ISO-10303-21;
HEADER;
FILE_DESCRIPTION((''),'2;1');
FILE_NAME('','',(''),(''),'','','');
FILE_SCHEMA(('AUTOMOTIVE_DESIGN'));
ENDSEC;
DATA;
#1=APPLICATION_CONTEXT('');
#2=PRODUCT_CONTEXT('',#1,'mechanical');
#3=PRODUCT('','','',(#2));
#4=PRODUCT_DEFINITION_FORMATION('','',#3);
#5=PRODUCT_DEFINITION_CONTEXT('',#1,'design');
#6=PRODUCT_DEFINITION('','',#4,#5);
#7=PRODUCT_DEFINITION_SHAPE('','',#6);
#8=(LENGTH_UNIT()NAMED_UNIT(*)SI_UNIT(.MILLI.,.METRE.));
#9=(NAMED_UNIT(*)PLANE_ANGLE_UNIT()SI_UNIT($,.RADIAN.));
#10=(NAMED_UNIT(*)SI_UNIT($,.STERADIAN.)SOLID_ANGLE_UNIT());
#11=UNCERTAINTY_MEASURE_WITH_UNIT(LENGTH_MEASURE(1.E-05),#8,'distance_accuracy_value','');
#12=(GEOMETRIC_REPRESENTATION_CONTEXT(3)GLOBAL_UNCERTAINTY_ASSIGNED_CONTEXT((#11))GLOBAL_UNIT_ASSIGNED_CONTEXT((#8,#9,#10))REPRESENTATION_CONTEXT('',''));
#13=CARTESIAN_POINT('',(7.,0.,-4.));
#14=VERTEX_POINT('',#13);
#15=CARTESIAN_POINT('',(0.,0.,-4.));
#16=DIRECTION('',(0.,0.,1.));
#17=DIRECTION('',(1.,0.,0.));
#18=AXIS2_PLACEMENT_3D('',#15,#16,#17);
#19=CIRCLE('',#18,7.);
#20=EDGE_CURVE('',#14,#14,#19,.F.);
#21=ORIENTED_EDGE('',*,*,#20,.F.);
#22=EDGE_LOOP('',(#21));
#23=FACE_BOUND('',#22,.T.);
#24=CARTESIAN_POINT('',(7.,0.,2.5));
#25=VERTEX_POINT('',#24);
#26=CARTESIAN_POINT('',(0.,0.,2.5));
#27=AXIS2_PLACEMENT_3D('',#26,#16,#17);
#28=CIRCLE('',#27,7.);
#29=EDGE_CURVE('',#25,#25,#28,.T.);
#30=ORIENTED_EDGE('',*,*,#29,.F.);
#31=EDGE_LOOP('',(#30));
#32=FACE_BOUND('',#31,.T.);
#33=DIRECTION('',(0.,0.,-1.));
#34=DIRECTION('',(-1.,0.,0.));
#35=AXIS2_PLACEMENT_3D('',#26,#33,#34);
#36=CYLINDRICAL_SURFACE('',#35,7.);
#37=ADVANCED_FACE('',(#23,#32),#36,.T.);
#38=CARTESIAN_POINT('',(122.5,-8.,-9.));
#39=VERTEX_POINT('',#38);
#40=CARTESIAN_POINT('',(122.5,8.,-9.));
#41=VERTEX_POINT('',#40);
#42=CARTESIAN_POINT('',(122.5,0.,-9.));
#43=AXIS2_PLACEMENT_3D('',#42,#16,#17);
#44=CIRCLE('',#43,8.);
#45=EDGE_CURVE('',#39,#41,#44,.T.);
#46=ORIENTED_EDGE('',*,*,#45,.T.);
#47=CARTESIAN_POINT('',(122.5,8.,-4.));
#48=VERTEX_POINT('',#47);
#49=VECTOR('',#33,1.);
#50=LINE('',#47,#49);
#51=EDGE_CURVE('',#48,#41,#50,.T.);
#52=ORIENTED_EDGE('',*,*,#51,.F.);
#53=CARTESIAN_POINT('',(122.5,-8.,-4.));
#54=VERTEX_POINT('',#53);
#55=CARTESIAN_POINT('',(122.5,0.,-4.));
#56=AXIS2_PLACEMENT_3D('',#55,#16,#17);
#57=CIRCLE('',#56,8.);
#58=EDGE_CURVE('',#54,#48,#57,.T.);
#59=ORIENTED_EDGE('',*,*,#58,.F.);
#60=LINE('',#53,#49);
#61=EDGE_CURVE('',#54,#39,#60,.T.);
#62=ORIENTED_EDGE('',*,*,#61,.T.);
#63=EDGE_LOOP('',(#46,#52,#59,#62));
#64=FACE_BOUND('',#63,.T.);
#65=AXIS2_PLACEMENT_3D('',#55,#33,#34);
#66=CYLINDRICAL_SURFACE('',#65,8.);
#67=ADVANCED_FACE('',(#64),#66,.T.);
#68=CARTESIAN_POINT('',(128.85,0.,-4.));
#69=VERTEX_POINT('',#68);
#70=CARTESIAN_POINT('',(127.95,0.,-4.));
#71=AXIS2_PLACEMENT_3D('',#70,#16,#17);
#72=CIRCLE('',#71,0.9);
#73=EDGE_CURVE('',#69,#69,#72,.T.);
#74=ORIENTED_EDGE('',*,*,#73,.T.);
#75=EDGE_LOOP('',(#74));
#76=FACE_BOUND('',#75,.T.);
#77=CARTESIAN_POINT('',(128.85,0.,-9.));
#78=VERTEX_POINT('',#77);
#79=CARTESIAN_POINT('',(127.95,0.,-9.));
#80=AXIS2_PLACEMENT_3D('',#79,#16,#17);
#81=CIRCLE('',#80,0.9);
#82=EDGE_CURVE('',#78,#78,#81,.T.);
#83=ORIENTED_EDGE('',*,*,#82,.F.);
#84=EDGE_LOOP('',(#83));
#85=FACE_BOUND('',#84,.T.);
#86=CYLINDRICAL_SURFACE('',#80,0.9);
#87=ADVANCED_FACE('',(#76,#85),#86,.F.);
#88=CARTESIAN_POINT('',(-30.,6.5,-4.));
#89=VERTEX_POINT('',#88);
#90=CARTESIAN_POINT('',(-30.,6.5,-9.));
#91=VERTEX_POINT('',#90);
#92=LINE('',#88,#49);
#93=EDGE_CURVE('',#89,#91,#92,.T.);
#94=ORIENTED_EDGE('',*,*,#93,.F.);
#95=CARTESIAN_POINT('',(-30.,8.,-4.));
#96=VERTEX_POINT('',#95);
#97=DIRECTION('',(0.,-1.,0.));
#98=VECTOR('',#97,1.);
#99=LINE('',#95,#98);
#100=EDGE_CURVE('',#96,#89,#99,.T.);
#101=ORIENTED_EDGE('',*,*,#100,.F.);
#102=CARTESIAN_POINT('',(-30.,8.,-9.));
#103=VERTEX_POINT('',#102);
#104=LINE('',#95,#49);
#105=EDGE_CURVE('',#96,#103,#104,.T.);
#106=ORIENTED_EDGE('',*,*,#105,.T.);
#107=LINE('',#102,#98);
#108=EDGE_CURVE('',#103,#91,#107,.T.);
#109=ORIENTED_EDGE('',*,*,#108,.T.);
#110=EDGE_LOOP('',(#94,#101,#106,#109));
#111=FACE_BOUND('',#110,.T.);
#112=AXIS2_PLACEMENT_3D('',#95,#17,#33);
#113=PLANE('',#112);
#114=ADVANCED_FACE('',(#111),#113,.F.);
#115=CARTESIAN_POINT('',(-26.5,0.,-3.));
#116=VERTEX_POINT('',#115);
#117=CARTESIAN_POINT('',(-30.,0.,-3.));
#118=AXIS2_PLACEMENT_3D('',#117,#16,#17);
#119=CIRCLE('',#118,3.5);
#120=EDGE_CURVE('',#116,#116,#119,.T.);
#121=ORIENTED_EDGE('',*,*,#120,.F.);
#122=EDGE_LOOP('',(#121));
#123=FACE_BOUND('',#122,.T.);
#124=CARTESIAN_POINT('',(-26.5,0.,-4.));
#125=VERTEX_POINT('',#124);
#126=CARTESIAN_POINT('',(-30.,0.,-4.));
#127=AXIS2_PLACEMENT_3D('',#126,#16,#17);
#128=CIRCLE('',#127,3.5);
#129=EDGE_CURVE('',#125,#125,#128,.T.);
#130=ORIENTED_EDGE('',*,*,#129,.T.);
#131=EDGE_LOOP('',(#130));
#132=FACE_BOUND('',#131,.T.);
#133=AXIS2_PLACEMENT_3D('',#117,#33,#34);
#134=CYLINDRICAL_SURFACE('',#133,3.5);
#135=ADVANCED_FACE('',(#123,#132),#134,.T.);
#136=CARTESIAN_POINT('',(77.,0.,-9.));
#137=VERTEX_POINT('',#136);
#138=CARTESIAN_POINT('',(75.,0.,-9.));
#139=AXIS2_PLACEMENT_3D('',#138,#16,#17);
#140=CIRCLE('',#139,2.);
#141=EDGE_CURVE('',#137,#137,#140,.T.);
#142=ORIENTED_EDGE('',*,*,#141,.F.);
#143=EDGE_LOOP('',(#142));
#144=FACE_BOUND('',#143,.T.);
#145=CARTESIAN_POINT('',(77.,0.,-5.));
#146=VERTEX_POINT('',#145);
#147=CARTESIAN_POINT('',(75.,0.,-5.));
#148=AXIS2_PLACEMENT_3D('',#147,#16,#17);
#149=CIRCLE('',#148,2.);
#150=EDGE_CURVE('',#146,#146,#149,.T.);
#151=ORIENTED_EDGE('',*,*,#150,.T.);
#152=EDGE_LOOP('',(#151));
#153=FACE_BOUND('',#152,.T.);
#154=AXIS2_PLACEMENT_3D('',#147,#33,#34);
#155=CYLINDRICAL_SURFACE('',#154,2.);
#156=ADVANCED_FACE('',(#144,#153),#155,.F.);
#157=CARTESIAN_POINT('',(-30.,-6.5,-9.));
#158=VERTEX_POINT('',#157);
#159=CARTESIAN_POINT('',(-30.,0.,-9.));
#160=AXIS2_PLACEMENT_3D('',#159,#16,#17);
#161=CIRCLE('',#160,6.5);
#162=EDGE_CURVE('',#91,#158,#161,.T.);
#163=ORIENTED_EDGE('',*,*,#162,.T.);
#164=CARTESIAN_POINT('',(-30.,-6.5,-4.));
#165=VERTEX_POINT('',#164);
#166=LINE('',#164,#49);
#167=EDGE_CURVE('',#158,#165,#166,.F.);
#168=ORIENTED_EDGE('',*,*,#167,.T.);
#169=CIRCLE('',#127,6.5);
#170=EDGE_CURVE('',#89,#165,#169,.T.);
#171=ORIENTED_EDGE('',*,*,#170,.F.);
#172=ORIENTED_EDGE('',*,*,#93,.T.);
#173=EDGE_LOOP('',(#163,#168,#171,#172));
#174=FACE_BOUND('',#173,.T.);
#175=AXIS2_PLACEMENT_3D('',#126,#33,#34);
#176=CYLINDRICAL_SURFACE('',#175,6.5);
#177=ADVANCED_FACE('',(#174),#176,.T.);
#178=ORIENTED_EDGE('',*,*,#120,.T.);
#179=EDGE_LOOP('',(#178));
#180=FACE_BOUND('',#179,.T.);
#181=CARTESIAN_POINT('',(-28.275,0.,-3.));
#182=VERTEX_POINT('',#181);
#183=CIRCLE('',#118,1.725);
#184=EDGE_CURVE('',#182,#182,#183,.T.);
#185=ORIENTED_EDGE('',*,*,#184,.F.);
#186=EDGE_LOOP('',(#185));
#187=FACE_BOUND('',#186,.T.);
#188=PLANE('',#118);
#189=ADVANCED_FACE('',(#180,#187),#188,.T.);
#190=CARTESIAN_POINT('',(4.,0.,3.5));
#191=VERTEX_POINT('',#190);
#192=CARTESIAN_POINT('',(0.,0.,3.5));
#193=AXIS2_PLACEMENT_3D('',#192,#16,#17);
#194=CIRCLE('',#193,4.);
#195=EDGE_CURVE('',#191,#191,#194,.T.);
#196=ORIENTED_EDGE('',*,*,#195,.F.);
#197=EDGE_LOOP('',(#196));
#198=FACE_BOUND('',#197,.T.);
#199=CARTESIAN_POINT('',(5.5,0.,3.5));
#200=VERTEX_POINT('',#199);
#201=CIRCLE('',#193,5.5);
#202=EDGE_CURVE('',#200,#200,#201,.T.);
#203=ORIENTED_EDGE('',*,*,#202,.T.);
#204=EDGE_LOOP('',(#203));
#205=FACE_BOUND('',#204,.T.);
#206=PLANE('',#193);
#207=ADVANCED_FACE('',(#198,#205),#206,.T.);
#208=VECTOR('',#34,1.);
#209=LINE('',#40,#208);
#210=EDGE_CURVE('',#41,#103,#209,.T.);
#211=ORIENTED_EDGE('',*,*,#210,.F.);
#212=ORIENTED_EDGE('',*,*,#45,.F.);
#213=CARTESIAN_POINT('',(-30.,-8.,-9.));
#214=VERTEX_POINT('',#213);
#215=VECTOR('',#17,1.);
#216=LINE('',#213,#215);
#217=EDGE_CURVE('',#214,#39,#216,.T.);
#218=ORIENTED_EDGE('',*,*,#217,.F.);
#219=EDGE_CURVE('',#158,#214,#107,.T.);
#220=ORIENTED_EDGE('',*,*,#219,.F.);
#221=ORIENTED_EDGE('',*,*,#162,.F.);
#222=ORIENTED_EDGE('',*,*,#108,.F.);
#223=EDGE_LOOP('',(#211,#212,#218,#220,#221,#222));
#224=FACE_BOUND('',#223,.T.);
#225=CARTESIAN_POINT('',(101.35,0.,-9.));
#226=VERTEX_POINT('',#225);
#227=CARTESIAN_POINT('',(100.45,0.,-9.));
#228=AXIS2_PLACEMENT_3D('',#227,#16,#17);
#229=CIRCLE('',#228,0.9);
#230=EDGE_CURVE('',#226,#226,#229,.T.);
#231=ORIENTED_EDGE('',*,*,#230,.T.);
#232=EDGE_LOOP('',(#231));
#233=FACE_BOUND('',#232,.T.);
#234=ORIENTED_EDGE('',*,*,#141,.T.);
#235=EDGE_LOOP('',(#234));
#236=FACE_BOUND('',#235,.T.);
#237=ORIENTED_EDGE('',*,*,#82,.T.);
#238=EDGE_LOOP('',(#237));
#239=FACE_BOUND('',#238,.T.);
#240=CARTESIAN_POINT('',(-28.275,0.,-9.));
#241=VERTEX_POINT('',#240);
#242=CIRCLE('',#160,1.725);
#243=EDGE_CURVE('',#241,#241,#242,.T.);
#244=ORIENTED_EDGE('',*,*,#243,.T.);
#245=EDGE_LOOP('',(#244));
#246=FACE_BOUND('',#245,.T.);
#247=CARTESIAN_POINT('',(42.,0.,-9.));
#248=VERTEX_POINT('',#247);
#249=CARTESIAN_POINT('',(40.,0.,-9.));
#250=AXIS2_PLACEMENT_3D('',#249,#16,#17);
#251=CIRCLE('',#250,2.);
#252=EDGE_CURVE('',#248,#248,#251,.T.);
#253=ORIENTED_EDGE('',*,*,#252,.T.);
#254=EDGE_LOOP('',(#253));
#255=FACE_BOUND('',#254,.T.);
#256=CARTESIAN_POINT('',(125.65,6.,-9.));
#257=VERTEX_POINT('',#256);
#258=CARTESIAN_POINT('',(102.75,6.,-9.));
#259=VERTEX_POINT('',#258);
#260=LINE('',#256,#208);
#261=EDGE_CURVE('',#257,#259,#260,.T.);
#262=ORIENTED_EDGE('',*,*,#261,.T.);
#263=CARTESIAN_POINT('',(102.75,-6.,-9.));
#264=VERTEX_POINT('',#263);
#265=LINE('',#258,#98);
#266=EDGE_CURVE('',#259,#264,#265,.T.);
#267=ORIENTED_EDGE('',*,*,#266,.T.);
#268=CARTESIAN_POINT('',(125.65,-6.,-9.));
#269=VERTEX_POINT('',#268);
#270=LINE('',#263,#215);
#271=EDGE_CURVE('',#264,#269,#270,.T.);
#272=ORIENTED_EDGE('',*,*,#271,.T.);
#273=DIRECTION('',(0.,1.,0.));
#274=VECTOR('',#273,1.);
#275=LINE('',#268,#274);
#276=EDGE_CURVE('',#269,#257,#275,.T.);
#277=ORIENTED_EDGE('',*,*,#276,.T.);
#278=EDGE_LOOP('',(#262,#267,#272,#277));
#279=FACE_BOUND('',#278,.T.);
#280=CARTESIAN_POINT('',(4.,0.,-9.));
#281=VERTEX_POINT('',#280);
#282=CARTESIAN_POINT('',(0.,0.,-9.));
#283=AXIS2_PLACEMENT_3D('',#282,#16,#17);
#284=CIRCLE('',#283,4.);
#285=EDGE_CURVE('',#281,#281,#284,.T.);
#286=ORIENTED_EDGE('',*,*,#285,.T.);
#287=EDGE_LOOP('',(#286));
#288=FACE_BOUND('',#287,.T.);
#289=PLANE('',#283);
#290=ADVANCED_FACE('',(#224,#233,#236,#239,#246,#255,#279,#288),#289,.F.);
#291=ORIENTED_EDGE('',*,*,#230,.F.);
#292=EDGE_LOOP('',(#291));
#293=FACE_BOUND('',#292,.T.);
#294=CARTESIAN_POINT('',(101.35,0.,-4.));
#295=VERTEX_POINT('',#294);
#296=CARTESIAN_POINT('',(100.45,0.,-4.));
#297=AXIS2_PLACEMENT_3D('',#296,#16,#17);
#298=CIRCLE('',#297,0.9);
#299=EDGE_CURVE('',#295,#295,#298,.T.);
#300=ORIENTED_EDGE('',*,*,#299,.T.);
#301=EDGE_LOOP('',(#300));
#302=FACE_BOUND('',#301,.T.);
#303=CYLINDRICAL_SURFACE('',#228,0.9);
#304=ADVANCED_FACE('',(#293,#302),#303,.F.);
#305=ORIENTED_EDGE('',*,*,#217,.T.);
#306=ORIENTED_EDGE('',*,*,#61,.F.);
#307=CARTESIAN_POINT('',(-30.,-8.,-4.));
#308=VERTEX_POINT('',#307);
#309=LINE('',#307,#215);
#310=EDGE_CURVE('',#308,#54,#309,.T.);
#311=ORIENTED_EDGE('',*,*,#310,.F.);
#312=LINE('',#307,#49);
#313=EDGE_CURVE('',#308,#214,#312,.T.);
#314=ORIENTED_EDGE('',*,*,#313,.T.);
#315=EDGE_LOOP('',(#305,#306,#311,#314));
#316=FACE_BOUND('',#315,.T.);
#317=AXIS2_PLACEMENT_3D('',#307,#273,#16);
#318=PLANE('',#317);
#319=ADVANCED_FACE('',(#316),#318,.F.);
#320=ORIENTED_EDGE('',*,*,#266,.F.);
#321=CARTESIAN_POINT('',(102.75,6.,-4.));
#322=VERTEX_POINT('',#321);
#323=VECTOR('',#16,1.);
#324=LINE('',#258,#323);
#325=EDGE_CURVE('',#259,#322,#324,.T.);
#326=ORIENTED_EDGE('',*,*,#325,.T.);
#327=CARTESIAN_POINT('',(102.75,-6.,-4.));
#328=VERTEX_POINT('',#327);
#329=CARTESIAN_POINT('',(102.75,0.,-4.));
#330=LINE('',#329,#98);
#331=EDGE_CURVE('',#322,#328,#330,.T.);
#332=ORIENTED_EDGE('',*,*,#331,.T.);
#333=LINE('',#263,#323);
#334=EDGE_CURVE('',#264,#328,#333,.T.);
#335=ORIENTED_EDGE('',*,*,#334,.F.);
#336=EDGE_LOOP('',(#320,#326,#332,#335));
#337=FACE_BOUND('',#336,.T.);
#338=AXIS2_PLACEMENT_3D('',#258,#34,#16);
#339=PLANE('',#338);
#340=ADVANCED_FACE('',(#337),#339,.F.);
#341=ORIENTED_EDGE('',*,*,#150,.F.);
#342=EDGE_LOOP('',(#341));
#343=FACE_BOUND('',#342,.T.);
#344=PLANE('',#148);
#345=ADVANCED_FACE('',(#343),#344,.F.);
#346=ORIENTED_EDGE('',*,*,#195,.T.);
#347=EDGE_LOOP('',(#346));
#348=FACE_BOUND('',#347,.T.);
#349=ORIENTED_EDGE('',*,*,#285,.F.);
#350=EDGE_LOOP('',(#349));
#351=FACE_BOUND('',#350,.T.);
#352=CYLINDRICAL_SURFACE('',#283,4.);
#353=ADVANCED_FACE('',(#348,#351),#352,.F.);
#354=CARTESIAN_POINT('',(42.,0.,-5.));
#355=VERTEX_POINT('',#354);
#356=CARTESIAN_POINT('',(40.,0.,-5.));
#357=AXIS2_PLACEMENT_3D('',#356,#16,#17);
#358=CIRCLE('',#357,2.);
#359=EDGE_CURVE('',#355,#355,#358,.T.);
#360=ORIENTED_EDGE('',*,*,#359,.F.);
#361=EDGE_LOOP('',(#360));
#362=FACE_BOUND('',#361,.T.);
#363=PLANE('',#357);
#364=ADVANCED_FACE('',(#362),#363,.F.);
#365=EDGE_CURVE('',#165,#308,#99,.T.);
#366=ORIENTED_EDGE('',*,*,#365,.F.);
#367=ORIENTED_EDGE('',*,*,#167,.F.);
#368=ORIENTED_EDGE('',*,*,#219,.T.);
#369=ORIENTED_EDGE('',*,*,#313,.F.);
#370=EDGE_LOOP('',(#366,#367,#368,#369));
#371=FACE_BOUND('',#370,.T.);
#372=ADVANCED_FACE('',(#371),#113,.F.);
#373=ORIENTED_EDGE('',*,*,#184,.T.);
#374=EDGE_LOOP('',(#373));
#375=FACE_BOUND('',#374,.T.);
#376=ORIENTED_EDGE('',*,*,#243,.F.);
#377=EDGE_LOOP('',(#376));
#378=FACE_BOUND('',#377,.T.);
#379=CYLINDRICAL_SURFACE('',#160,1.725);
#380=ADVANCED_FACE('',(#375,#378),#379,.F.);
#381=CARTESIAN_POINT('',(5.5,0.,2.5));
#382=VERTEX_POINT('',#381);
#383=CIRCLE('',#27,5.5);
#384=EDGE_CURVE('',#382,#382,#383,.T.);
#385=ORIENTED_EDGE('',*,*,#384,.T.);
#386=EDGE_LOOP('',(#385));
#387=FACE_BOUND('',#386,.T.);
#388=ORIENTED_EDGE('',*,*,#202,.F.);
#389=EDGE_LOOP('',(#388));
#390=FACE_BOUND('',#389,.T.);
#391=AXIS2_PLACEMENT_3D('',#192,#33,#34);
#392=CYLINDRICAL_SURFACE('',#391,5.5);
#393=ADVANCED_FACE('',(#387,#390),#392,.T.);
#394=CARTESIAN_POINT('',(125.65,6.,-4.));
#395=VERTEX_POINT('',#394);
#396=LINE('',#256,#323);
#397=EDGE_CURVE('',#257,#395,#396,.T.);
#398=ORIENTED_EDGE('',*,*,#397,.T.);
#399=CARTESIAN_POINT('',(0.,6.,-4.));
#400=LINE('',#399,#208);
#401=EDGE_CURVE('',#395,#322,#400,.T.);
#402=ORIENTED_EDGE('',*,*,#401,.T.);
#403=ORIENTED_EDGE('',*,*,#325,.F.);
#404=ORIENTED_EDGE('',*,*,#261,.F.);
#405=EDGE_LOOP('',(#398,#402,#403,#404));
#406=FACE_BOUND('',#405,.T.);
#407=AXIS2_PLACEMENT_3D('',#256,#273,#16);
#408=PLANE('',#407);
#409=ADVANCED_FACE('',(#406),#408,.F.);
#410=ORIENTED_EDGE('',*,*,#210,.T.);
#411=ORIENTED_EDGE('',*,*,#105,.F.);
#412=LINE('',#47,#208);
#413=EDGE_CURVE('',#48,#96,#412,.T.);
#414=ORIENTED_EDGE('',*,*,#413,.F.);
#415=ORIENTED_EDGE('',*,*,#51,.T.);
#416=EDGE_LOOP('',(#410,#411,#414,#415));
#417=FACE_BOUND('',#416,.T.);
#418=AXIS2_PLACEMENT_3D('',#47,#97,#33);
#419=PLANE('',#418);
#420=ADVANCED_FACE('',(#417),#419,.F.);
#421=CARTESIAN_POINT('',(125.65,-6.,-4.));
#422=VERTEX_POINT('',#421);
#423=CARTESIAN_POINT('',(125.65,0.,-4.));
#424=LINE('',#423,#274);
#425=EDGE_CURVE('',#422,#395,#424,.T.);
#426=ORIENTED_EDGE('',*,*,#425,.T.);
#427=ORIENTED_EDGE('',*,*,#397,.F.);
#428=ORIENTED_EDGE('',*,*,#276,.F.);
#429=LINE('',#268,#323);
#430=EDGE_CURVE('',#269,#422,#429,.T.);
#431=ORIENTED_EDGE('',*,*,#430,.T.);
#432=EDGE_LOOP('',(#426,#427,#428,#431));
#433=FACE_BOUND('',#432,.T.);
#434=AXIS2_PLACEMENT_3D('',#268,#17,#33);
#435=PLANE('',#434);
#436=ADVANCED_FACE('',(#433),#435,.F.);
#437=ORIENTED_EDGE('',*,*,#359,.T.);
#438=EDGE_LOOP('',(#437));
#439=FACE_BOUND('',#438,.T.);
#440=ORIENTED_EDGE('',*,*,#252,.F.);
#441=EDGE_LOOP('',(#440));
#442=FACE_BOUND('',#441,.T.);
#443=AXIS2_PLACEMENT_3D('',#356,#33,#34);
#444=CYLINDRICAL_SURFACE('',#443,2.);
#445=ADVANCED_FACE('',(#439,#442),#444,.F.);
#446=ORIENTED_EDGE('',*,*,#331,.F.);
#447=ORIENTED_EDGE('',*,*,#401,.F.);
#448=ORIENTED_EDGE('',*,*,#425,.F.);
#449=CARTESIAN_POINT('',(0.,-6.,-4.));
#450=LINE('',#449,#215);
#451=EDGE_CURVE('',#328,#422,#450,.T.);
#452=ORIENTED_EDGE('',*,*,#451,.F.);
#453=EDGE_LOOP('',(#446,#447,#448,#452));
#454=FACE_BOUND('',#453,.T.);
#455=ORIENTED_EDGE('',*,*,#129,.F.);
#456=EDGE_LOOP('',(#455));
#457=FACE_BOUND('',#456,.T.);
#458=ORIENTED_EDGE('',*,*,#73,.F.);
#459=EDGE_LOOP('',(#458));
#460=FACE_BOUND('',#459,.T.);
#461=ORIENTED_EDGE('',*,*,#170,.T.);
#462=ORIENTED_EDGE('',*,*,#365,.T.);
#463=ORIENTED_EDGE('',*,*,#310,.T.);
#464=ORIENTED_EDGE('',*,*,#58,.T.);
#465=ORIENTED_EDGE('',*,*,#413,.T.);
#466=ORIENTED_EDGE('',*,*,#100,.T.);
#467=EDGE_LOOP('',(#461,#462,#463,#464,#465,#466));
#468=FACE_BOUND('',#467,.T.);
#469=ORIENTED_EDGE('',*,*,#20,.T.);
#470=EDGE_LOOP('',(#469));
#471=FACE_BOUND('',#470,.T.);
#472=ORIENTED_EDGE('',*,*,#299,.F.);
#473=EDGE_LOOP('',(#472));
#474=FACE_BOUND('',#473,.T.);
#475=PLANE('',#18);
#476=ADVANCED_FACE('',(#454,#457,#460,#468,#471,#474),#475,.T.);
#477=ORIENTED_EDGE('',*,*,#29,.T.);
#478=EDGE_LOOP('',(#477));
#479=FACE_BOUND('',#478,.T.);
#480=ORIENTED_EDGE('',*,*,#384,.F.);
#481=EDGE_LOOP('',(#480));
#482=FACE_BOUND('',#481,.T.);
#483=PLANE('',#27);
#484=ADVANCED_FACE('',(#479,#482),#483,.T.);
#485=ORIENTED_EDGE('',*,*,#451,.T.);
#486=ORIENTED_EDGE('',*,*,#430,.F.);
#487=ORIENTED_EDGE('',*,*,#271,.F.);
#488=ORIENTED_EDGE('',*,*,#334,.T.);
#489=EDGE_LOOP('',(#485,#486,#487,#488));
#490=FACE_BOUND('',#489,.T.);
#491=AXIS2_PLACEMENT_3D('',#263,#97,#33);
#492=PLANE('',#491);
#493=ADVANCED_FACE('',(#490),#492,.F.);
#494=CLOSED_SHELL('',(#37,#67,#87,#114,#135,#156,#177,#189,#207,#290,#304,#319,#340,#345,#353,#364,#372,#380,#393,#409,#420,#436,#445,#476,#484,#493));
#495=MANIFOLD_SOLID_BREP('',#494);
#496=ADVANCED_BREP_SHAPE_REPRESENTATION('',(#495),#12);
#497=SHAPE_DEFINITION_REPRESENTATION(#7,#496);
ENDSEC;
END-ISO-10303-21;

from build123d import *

# Parameters (mm, degrees)
BOSS_EXTRUDE1_START     = -9
SKETCH1_W               = 152.5
SKETCH1_H               = 16
BOSS_EXTRUDE1_DEPTH     = 5
BOSS_EXTRUDE2_START     = -9
SKETCH2_R               = 6.5
BOSS_EXTRUDE2_DEPTH     = 5
BOSS_EXTRUDE3_START     = -9
SKETCH3_R               = 8
BOSS_EXTRUDE3_DEPTH     = 5
BOSS_EXTRUDE4_START     = -9
SKETCH4_R               = 7
BOSS_EXTRUDE4_DEPTH     = 11.5
BOSS_EXTRUDE5_START     = 2.5
SKETCH5_R               = 5.5
BOSS_EXTRUDE5_DEPTH     = 1
BOSS_EXTRUDE6_START     = -4
SKETCH6_R               = 3.5
BOSS_EXTRUDE6_DEPTH     = 1
CUT_EXTRUDE1_DEPTH      = 132.054378027
CUT_EXTRUDE1_DEPTH_BACK = 132.054378027
SKETCH7_R               = 4
CUT_EXTRUDE2_DEPTH      = 132.054378027
CUT_EXTRUDE2_DEPTH_BACK = 132.054378027
SKETCH8_R               = 1.725
CUT_EXTRUDE3_DEPTH      = 132.054378027
CUT_EXTRUDE3_DEPTH_BACK = 132.054378027
SKETCH9_W               = 22.9
SKETCH9_H               = 12
CUT_EXTRUDE4_DEPTH      = 132.054378027
CUT_EXTRUDE4_DEPTH_BACK = 132.054378027
SKETCH10_R              = 0.9
CUT_EXTRUDE5_START      = -9
SKETCH11_R              = 2
CUT_EXTRUDE5_DEPTH      = 4


with BuildPart() as part:
    # Sketch1 → Boss-Extrude1 (new body)
    with BuildSketch(Plane.XY.offset(BOSS_EXTRUDE1_START)):
        with Locations((46.25, 0)):
            Rectangle(SKETCH1_W, SKETCH1_H)
    extrude(amount=BOSS_EXTRUDE1_DEPTH)

    # Sketch2 → Boss-Extrude2 (add)
    with BuildSketch(Plane.XY.offset(BOSS_EXTRUDE2_START)):
        with Locations((-30, 0)):
            Circle(SKETCH2_R)
    extrude(amount=BOSS_EXTRUDE2_DEPTH)

    # Sketch3 → Boss-Extrude3 (add)
    with BuildSketch(Plane.XY.offset(BOSS_EXTRUDE3_START)):
        with Locations((122.5, 0)):
            Circle(SKETCH3_R)
    extrude(amount=BOSS_EXTRUDE3_DEPTH)

    # Sketch4 → Boss-Extrude4 (add)
    with BuildSketch(Plane.XY.offset(BOSS_EXTRUDE4_START)):
        Circle(SKETCH4_R)
    extrude(amount=BOSS_EXTRUDE4_DEPTH)

    # Sketch5 → Boss-Extrude5 (add)
    with BuildSketch(Plane.XY.offset(BOSS_EXTRUDE5_START)):
        Circle(SKETCH5_R)
    extrude(amount=BOSS_EXTRUDE5_DEPTH)

    # Sketch6 → Boss-Extrude6 (add)
    with BuildSketch(Plane.XY.offset(BOSS_EXTRUDE6_START)):
        with Locations((-30, 0)):
            Circle(SKETCH6_R)
    extrude(amount=BOSS_EXTRUDE6_DEPTH)

    # Sketch7 → Cut-Extrude1 (cut, two sides: drawn at the far end of the back side and taken through both)
    with BuildSketch(Plane.XY.offset(-CUT_EXTRUDE1_DEPTH_BACK)):
        Circle(SKETCH7_R)
    extrude(amount=CUT_EXTRUDE1_DEPTH + CUT_EXTRUDE1_DEPTH_BACK, mode=Mode.SUBTRACT)

    # Sketch8 → Cut-Extrude2 (cut, two sides: drawn at the far end of the back side and taken through both)
    with BuildSketch(Plane.XY.offset(-CUT_EXTRUDE2_DEPTH_BACK)):
        with Locations((-30, 0)):
            Circle(SKETCH8_R)
    extrude(amount=CUT_EXTRUDE2_DEPTH + CUT_EXTRUDE2_DEPTH_BACK, mode=Mode.SUBTRACT)

    # Sketch9 → Cut-Extrude3 (cut, two sides: drawn at the far end of the back side and taken through both)
    with BuildSketch(Plane.XY.offset(-CUT_EXTRUDE3_DEPTH_BACK)):
        with Locations((114.2, 0)):
            Rectangle(SKETCH9_W, SKETCH9_H)
    extrude(amount=CUT_EXTRUDE3_DEPTH + CUT_EXTRUDE3_DEPTH_BACK, mode=Mode.SUBTRACT)

    # Sketch10 → Cut-Extrude4 (cut, two sides: drawn at the far end of the back side and taken through both)
    with BuildSketch(Plane.XY.offset(-CUT_EXTRUDE4_DEPTH_BACK)):
        with Locations((100.45, 0)):
            Circle(SKETCH10_R)
        with Locations((127.95, 0)):
            Circle(SKETCH10_R)
    extrude(amount=CUT_EXTRUDE4_DEPTH + CUT_EXTRUDE4_DEPTH_BACK, mode=Mode.SUBTRACT)

    # Sketch11 → Cut-Extrude5 (cut)
    with BuildSketch(Plane.XY.offset(CUT_EXTRUDE5_START)):
        with Locations((40, 0)):
            Circle(SKETCH11_R)
        with Locations((75, 0)):
            Circle(SKETCH11_R)
    extrude(amount=CUT_EXTRUDE5_DEPTH, mode=Mode.SUBTRACT)


solid = part.part
